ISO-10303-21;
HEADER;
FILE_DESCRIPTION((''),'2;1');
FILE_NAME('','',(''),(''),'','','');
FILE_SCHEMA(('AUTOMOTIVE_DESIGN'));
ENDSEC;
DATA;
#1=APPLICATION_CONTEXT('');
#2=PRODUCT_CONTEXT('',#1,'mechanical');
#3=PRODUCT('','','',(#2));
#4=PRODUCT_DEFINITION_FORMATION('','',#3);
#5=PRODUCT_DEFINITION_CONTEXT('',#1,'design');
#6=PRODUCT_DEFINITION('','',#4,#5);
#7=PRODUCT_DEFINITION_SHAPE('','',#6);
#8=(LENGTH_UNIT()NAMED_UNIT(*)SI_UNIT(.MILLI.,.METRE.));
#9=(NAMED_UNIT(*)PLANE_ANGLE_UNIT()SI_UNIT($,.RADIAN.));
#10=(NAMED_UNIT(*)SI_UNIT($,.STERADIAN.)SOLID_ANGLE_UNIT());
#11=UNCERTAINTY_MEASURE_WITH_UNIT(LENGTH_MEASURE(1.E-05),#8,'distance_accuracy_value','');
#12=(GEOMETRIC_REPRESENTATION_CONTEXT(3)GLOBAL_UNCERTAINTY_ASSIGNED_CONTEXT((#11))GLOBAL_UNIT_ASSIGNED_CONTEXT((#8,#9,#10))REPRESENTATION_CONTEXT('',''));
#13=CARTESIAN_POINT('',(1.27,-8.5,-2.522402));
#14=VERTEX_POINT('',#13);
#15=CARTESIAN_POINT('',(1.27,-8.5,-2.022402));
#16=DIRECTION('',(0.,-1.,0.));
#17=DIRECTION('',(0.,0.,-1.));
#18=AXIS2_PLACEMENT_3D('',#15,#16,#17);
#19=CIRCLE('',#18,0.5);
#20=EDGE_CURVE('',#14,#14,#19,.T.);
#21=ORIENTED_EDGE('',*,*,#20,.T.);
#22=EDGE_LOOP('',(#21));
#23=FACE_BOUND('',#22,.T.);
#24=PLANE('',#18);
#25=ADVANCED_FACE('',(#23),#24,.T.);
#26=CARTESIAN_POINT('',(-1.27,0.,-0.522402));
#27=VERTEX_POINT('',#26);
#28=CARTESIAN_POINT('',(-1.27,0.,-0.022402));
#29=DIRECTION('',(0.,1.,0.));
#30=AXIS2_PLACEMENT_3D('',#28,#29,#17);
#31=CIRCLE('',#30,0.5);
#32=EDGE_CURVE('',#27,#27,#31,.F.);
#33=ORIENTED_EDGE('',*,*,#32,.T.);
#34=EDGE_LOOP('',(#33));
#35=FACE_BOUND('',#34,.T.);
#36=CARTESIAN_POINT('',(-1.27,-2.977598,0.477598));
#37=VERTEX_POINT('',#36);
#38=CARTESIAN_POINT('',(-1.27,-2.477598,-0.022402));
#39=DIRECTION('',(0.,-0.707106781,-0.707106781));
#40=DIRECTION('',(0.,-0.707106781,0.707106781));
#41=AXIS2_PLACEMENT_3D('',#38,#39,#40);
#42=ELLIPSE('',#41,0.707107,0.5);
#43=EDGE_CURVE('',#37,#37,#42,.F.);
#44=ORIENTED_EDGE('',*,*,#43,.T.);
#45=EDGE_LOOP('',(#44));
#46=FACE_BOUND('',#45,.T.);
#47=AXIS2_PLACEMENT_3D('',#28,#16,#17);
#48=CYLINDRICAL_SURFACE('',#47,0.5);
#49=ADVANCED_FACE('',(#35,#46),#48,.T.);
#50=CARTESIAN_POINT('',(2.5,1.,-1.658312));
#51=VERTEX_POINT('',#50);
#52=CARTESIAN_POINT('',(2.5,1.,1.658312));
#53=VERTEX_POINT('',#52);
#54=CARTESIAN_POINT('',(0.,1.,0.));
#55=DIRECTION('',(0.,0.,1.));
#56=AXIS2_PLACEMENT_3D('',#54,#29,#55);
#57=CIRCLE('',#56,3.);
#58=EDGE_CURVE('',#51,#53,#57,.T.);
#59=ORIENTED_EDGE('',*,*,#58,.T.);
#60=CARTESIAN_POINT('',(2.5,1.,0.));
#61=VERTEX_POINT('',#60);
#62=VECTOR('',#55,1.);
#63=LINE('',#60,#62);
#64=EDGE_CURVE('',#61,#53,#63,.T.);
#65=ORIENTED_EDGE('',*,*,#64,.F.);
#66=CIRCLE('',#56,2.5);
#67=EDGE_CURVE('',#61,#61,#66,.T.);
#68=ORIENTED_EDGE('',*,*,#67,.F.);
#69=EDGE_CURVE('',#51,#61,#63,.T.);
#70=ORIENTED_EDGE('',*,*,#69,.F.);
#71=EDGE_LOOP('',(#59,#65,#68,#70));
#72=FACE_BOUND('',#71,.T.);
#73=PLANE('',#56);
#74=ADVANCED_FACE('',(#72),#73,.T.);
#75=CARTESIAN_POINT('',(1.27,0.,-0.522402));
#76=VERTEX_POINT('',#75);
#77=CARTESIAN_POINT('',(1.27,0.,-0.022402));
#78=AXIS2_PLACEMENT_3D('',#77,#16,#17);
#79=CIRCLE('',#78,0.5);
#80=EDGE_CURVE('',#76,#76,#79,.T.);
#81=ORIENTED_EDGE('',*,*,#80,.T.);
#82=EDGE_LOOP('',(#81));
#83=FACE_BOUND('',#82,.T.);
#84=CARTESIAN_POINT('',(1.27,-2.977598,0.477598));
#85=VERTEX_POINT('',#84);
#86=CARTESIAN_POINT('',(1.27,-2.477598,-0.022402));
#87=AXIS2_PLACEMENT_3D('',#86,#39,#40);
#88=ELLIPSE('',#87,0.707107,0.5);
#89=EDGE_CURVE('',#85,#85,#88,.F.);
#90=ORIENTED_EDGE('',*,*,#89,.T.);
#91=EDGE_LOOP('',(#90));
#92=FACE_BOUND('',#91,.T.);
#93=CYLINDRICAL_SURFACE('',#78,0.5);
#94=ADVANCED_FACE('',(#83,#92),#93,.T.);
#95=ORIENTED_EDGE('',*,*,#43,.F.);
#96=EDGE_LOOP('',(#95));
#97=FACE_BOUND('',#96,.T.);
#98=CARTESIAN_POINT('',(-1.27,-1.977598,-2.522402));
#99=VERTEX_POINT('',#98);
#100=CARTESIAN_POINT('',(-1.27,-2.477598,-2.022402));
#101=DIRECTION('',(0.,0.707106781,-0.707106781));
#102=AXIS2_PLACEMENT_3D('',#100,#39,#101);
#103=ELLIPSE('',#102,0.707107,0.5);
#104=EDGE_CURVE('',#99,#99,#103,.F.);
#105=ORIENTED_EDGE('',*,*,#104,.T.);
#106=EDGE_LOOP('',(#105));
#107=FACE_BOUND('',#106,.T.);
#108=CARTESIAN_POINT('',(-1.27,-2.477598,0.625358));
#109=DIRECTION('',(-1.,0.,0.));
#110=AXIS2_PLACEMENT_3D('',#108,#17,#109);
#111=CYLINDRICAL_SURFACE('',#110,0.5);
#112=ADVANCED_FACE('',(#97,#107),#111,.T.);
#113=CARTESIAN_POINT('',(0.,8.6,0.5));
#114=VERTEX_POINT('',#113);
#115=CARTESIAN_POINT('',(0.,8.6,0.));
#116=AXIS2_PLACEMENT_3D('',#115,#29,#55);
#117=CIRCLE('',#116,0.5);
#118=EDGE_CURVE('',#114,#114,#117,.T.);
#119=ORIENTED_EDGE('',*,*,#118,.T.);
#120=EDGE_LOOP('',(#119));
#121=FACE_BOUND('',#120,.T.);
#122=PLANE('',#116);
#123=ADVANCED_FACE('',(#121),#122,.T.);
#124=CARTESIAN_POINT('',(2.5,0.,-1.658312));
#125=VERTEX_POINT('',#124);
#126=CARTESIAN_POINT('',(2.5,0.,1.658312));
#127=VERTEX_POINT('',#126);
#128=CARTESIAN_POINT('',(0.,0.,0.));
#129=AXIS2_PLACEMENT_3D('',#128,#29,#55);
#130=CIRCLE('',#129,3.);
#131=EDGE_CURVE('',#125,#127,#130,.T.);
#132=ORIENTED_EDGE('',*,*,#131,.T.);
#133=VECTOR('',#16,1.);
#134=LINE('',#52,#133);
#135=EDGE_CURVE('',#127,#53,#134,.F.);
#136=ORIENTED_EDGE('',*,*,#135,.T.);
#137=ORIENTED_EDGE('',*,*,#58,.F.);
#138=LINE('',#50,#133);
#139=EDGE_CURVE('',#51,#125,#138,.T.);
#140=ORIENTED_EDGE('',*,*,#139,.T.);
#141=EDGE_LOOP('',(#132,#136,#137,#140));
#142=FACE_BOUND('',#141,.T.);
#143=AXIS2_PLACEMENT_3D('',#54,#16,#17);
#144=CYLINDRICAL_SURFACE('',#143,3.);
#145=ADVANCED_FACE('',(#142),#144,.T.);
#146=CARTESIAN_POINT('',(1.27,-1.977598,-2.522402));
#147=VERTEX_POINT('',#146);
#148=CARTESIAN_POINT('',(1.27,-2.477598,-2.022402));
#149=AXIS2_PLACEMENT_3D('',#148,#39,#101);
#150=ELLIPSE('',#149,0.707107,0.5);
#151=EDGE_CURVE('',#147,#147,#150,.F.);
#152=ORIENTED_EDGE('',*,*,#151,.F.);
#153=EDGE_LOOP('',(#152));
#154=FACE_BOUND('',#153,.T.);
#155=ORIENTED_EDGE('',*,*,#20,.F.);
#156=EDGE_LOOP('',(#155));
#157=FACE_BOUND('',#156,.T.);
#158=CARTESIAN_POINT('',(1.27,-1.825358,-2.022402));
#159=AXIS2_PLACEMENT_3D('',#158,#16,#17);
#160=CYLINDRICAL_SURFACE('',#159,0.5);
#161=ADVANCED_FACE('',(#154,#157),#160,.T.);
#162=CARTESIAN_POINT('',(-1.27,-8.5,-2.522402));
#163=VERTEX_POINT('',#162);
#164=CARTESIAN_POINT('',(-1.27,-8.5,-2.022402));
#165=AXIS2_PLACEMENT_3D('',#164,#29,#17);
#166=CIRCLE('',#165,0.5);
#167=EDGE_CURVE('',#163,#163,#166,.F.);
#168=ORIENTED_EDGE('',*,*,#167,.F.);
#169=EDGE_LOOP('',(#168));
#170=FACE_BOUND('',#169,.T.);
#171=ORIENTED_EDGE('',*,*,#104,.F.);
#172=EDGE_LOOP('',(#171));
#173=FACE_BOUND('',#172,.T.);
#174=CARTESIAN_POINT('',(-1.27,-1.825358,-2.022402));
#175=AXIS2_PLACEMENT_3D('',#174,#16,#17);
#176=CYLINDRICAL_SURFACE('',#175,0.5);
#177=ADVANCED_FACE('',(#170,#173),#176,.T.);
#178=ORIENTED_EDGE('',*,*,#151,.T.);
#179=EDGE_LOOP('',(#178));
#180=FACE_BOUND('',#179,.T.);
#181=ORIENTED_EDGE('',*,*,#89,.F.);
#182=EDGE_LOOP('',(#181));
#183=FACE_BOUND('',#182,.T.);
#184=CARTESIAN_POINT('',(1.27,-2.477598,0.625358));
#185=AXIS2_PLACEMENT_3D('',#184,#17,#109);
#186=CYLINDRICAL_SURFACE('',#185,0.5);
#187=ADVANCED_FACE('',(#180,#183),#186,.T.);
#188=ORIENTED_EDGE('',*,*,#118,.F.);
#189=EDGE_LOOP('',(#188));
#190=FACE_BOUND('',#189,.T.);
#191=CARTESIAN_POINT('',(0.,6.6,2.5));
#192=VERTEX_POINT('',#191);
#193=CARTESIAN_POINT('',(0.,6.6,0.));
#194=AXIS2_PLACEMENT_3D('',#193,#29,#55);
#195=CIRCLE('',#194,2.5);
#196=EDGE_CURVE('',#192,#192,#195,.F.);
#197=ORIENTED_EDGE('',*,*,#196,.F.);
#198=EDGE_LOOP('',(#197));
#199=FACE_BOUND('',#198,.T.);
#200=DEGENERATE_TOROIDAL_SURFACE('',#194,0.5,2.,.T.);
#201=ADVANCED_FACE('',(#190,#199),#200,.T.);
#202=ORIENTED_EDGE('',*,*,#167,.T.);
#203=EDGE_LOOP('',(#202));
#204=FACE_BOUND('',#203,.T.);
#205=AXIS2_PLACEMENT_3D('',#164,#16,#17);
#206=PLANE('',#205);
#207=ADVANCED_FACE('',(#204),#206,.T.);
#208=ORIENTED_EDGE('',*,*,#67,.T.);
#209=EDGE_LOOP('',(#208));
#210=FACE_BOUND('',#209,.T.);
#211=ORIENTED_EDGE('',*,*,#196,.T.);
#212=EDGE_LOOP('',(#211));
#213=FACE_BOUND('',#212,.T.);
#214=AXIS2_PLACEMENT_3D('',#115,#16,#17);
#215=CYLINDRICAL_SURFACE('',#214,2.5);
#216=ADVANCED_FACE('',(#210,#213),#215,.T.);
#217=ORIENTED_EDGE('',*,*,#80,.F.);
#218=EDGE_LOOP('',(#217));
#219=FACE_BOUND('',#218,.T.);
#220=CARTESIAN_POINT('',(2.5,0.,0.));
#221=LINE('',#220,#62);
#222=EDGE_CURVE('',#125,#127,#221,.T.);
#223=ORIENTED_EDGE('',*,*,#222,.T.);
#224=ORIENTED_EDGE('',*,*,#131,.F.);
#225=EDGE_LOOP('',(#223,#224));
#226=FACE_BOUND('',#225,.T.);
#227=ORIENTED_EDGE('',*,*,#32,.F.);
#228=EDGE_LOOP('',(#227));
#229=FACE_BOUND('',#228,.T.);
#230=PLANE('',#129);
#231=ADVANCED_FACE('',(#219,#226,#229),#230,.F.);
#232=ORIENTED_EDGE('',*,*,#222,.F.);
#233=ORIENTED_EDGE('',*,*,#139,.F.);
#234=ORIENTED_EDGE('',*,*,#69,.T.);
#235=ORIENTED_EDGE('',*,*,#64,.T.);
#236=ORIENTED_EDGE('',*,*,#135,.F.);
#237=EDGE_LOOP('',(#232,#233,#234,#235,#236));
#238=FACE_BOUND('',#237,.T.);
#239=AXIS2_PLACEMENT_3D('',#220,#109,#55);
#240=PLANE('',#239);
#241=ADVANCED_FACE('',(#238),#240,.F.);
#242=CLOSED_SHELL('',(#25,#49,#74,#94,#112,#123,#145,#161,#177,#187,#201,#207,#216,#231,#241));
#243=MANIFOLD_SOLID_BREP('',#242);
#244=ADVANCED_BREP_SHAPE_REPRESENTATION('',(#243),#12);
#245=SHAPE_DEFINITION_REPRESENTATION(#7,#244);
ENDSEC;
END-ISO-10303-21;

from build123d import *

# Parameters (mm, degrees)
SCHIZZO1_R                   = 3
ESTRUSIONE_ESTRUSIONE1_DEPTH = 1
SCHIZZO2_R                   = 2.5
ESTRUSIONE_ESTRUSIONE2_DEPTH = 7.6
RACCORDO3_R                  = 2
SCHIZZO6_R                   = 0.5
SCHIZZO7_W                   = 4.951519697
SCHIZZO7_H                   = 4.598065652
TAGLIO_ESTRUSIONE1_DEPTH     = 10


with BuildPart() as part:
    # Schizzo1 → Estrusione-Estrusione1 (new body)
    with BuildSketch(Plane(origin=(0, 0, 0), x_dir=(1, 0, 0), z_dir=(0, 1, 0))):
        with Locations(Location((0, 0, 0), (0, 0, 270))):
            Circle(SCHIZZO1_R)
    extrude(amount=ESTRUSIONE_ESTRUSIONE1_DEPTH)

    # Schizzo2 → Estrusione-Estrusione2 (add)
    with BuildSketch(Plane(origin=(0, 1, 0), x_dir=(1, 0, 0), z_dir=(0, 1, 0))):
        with Locations(Location((0, 0, 0), (0, 0, 90))):
            Circle(SCHIZZO2_R)
    extrude(amount=ESTRUSIONE_ESTRUSIONE2_DEPTH)

    # Raccordo3
    raccordo3_edges = [part.edges().sort_by_distance(p)[0] for p in [
        (0, 8.6, 2.5),
    ]]
    fillet(raccordo3_edges, radius=RACCORDO3_R)

    # Sweep1: sweep along a path in Schizzo5
    with BuildLine(Plane(origin=(1.27, 0, 0), x_dir=(0, 0, -1), z_dir=(1, 0, 0))) as sweep1_path:
        Line((0, 0), (0, -2.5))
        Line((0, -2.5), (2, -2.5))
        Line((2, -2.5), (2, -8.5))
    # Schizzo6 → Sweep1 (sweep)
    with BuildSketch(Plane.XZ):
        with Locations((1.27, -0.022402078)):
            Circle(SCHIZZO6_R)
    sweep1 = sweep(path=sweep1_path.line, transition=Transition.RIGHT)

    # Specchia1: Sweep1 across plane
    add(sweep1.mirror(Plane(origin=(0, 0, 0), x_dir=(0, 0, 1), z_dir=(1, 0, 0))))

    # Schizzo7 → Taglio-Estrusione1 (cut)
    with BuildSketch(Plane(origin=(2.5, 0, 0), x_dir=(0, 0, -1), z_dir=(1, 0, 0))):
        with Locations((0.024240151, 0.648217725)):
            Rectangle(SCHIZZO7_W, SCHIZZO7_H)
    extrude(amount=TAGLIO_ESTRUSIONE1_DEPTH, mode=Mode.SUBTRACT)


solid = part.part
